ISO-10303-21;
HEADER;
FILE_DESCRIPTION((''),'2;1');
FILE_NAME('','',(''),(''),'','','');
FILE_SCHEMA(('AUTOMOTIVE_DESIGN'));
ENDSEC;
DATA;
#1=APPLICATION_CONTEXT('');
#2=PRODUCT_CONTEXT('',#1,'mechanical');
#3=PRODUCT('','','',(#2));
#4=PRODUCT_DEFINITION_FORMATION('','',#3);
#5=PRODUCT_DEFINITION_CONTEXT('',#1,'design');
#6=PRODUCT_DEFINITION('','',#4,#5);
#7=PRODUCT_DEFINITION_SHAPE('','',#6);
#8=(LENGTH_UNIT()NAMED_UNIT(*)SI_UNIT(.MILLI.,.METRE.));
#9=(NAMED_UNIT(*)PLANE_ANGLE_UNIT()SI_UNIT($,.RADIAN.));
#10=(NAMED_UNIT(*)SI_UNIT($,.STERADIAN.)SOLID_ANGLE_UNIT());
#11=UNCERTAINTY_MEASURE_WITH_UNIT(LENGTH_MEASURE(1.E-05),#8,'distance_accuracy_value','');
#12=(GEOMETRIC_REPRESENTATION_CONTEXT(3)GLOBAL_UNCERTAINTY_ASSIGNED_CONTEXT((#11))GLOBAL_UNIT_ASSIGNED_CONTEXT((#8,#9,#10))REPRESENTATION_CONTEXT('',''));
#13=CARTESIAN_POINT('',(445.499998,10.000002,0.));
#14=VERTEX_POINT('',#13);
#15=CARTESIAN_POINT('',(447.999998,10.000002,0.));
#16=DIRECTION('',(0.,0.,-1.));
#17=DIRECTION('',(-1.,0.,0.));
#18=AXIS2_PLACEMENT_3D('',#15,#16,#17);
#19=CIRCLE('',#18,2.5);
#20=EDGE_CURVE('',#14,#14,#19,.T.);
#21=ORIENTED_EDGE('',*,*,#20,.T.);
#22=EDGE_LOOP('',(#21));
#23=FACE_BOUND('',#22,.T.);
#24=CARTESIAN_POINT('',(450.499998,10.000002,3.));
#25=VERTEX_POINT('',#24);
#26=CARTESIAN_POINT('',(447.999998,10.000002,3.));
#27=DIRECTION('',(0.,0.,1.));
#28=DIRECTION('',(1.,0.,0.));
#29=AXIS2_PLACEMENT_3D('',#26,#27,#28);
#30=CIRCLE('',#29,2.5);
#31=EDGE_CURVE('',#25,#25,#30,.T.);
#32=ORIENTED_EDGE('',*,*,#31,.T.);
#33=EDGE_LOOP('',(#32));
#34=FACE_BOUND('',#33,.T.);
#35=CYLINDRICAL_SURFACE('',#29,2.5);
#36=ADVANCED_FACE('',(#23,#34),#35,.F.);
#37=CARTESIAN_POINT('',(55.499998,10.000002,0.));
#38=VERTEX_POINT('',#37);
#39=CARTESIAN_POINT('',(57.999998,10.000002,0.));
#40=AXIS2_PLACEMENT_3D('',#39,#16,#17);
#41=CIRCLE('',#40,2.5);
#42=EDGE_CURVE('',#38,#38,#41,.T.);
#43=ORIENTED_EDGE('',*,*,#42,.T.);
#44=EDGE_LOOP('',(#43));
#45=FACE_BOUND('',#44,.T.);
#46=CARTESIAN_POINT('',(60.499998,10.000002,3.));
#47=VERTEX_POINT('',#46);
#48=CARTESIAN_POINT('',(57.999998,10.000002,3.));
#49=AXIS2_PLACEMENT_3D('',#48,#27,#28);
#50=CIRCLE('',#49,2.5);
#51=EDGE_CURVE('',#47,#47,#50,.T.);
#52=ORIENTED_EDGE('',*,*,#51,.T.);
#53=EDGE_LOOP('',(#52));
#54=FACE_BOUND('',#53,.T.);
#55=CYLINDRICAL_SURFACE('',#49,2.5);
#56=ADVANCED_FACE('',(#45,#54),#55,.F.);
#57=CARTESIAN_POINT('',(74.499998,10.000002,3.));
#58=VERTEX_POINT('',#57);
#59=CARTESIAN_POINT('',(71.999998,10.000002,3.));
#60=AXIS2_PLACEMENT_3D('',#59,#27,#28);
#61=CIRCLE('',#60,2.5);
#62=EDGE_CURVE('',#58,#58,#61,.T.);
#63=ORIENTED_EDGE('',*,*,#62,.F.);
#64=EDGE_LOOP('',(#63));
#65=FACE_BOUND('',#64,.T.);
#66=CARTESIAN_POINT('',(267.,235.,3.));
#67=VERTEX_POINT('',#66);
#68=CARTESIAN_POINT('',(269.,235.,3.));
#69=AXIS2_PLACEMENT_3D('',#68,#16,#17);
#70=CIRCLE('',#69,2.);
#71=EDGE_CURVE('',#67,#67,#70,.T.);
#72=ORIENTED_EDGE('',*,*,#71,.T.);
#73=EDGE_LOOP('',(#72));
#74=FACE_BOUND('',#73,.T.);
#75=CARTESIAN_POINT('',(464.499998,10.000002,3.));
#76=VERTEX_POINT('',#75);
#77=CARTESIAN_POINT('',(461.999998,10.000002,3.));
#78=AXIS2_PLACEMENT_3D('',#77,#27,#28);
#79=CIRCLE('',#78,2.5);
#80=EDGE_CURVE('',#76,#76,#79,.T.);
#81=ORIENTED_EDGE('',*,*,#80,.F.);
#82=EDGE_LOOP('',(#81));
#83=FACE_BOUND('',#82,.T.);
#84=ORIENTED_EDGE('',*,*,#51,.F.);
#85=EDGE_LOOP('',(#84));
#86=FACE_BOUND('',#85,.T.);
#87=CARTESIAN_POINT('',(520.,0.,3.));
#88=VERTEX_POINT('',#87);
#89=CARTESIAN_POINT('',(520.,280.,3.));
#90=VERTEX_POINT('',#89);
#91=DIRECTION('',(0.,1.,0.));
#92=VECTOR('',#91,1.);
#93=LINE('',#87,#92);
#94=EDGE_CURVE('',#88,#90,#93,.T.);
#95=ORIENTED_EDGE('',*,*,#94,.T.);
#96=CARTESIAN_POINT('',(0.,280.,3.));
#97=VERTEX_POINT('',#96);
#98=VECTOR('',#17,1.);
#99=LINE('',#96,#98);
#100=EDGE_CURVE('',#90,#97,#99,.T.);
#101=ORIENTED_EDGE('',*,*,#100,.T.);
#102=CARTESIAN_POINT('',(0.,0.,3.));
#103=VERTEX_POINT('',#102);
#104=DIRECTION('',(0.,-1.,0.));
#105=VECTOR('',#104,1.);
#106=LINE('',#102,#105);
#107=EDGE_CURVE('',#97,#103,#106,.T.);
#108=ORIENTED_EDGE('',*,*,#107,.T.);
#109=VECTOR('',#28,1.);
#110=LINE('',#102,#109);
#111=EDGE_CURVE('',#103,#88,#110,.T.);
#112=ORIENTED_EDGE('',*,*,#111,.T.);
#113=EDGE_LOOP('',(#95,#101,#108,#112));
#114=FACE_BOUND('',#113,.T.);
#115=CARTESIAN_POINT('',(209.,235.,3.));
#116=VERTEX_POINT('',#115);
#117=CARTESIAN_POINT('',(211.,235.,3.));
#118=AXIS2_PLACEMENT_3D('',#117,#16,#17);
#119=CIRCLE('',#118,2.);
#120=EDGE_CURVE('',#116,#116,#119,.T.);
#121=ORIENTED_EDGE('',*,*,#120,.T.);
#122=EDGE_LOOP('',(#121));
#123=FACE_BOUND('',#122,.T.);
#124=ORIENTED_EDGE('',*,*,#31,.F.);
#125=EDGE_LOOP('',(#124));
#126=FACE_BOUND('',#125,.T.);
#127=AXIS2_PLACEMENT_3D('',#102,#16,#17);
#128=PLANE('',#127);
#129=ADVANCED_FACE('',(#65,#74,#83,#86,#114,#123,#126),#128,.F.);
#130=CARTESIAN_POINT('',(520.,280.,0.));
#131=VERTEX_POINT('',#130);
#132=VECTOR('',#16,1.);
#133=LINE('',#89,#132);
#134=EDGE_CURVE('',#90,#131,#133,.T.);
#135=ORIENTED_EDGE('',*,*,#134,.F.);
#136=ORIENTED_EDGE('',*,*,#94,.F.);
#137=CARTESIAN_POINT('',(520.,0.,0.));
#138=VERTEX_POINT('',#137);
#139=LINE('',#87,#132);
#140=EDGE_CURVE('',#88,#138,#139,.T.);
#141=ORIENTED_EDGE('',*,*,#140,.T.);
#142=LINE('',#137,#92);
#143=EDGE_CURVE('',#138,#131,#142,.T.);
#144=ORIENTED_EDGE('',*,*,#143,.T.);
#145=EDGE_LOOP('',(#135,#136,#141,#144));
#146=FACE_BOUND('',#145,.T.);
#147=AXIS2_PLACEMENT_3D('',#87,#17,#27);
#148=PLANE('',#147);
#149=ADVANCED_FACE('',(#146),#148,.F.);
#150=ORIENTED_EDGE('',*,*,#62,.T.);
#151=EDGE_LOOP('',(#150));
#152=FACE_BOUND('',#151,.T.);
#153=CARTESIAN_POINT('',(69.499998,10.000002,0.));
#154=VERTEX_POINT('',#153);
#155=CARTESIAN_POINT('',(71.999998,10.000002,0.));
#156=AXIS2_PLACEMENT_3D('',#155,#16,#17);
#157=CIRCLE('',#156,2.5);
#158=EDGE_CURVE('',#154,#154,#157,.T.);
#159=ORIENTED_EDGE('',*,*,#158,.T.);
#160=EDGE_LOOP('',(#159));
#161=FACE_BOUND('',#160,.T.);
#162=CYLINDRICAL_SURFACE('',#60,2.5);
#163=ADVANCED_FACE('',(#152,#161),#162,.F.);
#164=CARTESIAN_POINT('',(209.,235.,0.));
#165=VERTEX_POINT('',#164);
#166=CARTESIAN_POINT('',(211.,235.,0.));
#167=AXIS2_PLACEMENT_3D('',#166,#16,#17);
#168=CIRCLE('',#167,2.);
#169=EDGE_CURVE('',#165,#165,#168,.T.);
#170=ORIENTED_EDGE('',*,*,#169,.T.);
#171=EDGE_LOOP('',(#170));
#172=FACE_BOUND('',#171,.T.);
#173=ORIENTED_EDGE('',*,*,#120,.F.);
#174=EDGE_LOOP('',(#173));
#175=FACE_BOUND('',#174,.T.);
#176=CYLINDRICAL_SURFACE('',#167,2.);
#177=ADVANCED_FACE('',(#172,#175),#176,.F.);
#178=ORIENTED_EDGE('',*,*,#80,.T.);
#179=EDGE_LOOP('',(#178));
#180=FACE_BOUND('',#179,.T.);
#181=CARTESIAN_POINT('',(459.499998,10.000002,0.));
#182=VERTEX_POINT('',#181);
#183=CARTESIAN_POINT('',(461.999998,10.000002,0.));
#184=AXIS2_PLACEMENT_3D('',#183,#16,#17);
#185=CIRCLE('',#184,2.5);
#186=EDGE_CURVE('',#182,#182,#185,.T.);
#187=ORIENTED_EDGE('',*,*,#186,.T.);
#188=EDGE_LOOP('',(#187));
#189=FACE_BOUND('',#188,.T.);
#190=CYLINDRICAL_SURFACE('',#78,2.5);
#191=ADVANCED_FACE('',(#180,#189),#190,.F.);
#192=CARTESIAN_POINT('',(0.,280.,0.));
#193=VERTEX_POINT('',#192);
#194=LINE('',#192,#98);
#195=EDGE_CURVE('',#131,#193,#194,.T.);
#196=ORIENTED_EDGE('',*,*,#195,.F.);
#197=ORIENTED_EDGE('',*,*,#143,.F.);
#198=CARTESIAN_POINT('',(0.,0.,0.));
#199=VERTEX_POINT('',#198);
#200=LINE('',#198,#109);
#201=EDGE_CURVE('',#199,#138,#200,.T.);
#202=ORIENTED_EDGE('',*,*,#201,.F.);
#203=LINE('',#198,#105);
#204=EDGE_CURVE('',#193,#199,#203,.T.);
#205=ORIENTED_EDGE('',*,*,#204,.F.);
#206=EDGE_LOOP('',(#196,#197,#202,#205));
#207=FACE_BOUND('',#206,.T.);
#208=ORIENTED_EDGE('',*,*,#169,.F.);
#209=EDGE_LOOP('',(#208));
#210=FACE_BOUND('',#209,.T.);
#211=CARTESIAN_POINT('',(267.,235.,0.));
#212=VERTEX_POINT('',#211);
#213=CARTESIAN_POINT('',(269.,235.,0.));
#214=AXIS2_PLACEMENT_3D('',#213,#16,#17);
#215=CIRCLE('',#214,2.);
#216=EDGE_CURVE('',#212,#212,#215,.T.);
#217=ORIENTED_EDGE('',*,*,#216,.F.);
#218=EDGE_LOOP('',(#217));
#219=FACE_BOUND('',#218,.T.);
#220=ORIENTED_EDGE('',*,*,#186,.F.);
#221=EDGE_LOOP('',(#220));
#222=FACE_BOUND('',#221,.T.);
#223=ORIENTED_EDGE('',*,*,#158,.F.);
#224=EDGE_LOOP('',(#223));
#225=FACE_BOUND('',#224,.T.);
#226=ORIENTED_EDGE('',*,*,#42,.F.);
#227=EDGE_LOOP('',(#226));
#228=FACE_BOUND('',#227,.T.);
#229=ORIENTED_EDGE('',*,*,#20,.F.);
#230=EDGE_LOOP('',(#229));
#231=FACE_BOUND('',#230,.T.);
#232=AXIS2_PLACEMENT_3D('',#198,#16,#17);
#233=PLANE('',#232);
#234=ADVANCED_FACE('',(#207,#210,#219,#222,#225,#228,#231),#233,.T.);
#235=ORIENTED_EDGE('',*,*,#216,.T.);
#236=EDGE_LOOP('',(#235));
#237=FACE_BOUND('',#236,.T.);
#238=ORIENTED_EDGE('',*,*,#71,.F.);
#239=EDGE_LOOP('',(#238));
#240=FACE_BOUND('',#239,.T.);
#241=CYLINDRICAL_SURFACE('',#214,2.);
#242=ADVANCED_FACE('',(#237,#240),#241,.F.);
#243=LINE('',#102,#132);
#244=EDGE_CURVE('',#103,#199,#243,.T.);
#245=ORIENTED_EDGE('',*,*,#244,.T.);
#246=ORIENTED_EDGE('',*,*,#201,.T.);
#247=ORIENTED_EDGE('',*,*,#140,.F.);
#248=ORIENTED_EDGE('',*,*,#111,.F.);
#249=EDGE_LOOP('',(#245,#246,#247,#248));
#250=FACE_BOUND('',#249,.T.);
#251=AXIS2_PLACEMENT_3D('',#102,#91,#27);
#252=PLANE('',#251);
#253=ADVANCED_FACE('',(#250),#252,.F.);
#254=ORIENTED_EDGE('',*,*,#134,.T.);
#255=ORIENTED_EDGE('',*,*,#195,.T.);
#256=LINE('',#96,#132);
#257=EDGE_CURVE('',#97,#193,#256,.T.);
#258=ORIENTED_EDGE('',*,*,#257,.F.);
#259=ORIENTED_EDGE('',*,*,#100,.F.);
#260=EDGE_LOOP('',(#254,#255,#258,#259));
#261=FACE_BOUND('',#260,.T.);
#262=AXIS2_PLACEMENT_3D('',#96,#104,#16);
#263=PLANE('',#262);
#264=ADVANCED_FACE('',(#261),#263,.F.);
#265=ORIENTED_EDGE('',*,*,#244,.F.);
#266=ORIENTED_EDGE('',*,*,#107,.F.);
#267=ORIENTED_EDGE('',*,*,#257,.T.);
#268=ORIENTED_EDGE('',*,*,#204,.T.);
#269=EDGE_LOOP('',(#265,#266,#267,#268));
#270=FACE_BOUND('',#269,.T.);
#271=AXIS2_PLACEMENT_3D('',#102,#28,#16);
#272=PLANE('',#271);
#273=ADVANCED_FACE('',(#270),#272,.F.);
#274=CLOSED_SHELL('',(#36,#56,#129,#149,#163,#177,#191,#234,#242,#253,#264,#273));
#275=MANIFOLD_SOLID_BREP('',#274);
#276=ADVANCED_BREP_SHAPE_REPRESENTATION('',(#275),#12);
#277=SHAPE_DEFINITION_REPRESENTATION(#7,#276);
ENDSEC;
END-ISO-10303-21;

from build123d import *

# Parameters (mm, degrees)
SKETCH1_W             = 520
SKETCH1_H             = 280
BOSS_EXTRUDE1_DEPTH   = 3
F_5_0MM_DOWEL_HOLE1_D = 5
F_4_0MM_DOWEL_HOLE1_D = 4


with BuildPart() as part:
    # Sketch1 → Boss-Extrude1 (new body)
    with BuildSketch(Plane.XY):
        with Locations((260, 140)):
            Rectangle(SKETCH1_W, SKETCH1_H)
    extrude(amount=BOSS_EXTRUDE1_DEPTH)

    # Ø5.0mm Dowel Hole1 (through all)
    with Locations(Plane.XY.offset(3)):
        with Locations((461.999997675, 10.000001609), (447.999997675, 10.000001609), (71.999997675, 10.000001609), (57.999997675, 10.000001609)):
            Hole(F_5_0MM_DOWEL_HOLE1_D / 2)

    # Ø4.0mm Dowel Hole1 (through all)
    with Locations(Plane(origin=(0, 0, 0), x_dir=(-1, 0, 0), z_dir=(0, 0, -1))):
        with Locations((-269, 235), (-211, 235)):
            Hole(F_4_0MM_DOWEL_HOLE1_D / 2)


solid = part.part
